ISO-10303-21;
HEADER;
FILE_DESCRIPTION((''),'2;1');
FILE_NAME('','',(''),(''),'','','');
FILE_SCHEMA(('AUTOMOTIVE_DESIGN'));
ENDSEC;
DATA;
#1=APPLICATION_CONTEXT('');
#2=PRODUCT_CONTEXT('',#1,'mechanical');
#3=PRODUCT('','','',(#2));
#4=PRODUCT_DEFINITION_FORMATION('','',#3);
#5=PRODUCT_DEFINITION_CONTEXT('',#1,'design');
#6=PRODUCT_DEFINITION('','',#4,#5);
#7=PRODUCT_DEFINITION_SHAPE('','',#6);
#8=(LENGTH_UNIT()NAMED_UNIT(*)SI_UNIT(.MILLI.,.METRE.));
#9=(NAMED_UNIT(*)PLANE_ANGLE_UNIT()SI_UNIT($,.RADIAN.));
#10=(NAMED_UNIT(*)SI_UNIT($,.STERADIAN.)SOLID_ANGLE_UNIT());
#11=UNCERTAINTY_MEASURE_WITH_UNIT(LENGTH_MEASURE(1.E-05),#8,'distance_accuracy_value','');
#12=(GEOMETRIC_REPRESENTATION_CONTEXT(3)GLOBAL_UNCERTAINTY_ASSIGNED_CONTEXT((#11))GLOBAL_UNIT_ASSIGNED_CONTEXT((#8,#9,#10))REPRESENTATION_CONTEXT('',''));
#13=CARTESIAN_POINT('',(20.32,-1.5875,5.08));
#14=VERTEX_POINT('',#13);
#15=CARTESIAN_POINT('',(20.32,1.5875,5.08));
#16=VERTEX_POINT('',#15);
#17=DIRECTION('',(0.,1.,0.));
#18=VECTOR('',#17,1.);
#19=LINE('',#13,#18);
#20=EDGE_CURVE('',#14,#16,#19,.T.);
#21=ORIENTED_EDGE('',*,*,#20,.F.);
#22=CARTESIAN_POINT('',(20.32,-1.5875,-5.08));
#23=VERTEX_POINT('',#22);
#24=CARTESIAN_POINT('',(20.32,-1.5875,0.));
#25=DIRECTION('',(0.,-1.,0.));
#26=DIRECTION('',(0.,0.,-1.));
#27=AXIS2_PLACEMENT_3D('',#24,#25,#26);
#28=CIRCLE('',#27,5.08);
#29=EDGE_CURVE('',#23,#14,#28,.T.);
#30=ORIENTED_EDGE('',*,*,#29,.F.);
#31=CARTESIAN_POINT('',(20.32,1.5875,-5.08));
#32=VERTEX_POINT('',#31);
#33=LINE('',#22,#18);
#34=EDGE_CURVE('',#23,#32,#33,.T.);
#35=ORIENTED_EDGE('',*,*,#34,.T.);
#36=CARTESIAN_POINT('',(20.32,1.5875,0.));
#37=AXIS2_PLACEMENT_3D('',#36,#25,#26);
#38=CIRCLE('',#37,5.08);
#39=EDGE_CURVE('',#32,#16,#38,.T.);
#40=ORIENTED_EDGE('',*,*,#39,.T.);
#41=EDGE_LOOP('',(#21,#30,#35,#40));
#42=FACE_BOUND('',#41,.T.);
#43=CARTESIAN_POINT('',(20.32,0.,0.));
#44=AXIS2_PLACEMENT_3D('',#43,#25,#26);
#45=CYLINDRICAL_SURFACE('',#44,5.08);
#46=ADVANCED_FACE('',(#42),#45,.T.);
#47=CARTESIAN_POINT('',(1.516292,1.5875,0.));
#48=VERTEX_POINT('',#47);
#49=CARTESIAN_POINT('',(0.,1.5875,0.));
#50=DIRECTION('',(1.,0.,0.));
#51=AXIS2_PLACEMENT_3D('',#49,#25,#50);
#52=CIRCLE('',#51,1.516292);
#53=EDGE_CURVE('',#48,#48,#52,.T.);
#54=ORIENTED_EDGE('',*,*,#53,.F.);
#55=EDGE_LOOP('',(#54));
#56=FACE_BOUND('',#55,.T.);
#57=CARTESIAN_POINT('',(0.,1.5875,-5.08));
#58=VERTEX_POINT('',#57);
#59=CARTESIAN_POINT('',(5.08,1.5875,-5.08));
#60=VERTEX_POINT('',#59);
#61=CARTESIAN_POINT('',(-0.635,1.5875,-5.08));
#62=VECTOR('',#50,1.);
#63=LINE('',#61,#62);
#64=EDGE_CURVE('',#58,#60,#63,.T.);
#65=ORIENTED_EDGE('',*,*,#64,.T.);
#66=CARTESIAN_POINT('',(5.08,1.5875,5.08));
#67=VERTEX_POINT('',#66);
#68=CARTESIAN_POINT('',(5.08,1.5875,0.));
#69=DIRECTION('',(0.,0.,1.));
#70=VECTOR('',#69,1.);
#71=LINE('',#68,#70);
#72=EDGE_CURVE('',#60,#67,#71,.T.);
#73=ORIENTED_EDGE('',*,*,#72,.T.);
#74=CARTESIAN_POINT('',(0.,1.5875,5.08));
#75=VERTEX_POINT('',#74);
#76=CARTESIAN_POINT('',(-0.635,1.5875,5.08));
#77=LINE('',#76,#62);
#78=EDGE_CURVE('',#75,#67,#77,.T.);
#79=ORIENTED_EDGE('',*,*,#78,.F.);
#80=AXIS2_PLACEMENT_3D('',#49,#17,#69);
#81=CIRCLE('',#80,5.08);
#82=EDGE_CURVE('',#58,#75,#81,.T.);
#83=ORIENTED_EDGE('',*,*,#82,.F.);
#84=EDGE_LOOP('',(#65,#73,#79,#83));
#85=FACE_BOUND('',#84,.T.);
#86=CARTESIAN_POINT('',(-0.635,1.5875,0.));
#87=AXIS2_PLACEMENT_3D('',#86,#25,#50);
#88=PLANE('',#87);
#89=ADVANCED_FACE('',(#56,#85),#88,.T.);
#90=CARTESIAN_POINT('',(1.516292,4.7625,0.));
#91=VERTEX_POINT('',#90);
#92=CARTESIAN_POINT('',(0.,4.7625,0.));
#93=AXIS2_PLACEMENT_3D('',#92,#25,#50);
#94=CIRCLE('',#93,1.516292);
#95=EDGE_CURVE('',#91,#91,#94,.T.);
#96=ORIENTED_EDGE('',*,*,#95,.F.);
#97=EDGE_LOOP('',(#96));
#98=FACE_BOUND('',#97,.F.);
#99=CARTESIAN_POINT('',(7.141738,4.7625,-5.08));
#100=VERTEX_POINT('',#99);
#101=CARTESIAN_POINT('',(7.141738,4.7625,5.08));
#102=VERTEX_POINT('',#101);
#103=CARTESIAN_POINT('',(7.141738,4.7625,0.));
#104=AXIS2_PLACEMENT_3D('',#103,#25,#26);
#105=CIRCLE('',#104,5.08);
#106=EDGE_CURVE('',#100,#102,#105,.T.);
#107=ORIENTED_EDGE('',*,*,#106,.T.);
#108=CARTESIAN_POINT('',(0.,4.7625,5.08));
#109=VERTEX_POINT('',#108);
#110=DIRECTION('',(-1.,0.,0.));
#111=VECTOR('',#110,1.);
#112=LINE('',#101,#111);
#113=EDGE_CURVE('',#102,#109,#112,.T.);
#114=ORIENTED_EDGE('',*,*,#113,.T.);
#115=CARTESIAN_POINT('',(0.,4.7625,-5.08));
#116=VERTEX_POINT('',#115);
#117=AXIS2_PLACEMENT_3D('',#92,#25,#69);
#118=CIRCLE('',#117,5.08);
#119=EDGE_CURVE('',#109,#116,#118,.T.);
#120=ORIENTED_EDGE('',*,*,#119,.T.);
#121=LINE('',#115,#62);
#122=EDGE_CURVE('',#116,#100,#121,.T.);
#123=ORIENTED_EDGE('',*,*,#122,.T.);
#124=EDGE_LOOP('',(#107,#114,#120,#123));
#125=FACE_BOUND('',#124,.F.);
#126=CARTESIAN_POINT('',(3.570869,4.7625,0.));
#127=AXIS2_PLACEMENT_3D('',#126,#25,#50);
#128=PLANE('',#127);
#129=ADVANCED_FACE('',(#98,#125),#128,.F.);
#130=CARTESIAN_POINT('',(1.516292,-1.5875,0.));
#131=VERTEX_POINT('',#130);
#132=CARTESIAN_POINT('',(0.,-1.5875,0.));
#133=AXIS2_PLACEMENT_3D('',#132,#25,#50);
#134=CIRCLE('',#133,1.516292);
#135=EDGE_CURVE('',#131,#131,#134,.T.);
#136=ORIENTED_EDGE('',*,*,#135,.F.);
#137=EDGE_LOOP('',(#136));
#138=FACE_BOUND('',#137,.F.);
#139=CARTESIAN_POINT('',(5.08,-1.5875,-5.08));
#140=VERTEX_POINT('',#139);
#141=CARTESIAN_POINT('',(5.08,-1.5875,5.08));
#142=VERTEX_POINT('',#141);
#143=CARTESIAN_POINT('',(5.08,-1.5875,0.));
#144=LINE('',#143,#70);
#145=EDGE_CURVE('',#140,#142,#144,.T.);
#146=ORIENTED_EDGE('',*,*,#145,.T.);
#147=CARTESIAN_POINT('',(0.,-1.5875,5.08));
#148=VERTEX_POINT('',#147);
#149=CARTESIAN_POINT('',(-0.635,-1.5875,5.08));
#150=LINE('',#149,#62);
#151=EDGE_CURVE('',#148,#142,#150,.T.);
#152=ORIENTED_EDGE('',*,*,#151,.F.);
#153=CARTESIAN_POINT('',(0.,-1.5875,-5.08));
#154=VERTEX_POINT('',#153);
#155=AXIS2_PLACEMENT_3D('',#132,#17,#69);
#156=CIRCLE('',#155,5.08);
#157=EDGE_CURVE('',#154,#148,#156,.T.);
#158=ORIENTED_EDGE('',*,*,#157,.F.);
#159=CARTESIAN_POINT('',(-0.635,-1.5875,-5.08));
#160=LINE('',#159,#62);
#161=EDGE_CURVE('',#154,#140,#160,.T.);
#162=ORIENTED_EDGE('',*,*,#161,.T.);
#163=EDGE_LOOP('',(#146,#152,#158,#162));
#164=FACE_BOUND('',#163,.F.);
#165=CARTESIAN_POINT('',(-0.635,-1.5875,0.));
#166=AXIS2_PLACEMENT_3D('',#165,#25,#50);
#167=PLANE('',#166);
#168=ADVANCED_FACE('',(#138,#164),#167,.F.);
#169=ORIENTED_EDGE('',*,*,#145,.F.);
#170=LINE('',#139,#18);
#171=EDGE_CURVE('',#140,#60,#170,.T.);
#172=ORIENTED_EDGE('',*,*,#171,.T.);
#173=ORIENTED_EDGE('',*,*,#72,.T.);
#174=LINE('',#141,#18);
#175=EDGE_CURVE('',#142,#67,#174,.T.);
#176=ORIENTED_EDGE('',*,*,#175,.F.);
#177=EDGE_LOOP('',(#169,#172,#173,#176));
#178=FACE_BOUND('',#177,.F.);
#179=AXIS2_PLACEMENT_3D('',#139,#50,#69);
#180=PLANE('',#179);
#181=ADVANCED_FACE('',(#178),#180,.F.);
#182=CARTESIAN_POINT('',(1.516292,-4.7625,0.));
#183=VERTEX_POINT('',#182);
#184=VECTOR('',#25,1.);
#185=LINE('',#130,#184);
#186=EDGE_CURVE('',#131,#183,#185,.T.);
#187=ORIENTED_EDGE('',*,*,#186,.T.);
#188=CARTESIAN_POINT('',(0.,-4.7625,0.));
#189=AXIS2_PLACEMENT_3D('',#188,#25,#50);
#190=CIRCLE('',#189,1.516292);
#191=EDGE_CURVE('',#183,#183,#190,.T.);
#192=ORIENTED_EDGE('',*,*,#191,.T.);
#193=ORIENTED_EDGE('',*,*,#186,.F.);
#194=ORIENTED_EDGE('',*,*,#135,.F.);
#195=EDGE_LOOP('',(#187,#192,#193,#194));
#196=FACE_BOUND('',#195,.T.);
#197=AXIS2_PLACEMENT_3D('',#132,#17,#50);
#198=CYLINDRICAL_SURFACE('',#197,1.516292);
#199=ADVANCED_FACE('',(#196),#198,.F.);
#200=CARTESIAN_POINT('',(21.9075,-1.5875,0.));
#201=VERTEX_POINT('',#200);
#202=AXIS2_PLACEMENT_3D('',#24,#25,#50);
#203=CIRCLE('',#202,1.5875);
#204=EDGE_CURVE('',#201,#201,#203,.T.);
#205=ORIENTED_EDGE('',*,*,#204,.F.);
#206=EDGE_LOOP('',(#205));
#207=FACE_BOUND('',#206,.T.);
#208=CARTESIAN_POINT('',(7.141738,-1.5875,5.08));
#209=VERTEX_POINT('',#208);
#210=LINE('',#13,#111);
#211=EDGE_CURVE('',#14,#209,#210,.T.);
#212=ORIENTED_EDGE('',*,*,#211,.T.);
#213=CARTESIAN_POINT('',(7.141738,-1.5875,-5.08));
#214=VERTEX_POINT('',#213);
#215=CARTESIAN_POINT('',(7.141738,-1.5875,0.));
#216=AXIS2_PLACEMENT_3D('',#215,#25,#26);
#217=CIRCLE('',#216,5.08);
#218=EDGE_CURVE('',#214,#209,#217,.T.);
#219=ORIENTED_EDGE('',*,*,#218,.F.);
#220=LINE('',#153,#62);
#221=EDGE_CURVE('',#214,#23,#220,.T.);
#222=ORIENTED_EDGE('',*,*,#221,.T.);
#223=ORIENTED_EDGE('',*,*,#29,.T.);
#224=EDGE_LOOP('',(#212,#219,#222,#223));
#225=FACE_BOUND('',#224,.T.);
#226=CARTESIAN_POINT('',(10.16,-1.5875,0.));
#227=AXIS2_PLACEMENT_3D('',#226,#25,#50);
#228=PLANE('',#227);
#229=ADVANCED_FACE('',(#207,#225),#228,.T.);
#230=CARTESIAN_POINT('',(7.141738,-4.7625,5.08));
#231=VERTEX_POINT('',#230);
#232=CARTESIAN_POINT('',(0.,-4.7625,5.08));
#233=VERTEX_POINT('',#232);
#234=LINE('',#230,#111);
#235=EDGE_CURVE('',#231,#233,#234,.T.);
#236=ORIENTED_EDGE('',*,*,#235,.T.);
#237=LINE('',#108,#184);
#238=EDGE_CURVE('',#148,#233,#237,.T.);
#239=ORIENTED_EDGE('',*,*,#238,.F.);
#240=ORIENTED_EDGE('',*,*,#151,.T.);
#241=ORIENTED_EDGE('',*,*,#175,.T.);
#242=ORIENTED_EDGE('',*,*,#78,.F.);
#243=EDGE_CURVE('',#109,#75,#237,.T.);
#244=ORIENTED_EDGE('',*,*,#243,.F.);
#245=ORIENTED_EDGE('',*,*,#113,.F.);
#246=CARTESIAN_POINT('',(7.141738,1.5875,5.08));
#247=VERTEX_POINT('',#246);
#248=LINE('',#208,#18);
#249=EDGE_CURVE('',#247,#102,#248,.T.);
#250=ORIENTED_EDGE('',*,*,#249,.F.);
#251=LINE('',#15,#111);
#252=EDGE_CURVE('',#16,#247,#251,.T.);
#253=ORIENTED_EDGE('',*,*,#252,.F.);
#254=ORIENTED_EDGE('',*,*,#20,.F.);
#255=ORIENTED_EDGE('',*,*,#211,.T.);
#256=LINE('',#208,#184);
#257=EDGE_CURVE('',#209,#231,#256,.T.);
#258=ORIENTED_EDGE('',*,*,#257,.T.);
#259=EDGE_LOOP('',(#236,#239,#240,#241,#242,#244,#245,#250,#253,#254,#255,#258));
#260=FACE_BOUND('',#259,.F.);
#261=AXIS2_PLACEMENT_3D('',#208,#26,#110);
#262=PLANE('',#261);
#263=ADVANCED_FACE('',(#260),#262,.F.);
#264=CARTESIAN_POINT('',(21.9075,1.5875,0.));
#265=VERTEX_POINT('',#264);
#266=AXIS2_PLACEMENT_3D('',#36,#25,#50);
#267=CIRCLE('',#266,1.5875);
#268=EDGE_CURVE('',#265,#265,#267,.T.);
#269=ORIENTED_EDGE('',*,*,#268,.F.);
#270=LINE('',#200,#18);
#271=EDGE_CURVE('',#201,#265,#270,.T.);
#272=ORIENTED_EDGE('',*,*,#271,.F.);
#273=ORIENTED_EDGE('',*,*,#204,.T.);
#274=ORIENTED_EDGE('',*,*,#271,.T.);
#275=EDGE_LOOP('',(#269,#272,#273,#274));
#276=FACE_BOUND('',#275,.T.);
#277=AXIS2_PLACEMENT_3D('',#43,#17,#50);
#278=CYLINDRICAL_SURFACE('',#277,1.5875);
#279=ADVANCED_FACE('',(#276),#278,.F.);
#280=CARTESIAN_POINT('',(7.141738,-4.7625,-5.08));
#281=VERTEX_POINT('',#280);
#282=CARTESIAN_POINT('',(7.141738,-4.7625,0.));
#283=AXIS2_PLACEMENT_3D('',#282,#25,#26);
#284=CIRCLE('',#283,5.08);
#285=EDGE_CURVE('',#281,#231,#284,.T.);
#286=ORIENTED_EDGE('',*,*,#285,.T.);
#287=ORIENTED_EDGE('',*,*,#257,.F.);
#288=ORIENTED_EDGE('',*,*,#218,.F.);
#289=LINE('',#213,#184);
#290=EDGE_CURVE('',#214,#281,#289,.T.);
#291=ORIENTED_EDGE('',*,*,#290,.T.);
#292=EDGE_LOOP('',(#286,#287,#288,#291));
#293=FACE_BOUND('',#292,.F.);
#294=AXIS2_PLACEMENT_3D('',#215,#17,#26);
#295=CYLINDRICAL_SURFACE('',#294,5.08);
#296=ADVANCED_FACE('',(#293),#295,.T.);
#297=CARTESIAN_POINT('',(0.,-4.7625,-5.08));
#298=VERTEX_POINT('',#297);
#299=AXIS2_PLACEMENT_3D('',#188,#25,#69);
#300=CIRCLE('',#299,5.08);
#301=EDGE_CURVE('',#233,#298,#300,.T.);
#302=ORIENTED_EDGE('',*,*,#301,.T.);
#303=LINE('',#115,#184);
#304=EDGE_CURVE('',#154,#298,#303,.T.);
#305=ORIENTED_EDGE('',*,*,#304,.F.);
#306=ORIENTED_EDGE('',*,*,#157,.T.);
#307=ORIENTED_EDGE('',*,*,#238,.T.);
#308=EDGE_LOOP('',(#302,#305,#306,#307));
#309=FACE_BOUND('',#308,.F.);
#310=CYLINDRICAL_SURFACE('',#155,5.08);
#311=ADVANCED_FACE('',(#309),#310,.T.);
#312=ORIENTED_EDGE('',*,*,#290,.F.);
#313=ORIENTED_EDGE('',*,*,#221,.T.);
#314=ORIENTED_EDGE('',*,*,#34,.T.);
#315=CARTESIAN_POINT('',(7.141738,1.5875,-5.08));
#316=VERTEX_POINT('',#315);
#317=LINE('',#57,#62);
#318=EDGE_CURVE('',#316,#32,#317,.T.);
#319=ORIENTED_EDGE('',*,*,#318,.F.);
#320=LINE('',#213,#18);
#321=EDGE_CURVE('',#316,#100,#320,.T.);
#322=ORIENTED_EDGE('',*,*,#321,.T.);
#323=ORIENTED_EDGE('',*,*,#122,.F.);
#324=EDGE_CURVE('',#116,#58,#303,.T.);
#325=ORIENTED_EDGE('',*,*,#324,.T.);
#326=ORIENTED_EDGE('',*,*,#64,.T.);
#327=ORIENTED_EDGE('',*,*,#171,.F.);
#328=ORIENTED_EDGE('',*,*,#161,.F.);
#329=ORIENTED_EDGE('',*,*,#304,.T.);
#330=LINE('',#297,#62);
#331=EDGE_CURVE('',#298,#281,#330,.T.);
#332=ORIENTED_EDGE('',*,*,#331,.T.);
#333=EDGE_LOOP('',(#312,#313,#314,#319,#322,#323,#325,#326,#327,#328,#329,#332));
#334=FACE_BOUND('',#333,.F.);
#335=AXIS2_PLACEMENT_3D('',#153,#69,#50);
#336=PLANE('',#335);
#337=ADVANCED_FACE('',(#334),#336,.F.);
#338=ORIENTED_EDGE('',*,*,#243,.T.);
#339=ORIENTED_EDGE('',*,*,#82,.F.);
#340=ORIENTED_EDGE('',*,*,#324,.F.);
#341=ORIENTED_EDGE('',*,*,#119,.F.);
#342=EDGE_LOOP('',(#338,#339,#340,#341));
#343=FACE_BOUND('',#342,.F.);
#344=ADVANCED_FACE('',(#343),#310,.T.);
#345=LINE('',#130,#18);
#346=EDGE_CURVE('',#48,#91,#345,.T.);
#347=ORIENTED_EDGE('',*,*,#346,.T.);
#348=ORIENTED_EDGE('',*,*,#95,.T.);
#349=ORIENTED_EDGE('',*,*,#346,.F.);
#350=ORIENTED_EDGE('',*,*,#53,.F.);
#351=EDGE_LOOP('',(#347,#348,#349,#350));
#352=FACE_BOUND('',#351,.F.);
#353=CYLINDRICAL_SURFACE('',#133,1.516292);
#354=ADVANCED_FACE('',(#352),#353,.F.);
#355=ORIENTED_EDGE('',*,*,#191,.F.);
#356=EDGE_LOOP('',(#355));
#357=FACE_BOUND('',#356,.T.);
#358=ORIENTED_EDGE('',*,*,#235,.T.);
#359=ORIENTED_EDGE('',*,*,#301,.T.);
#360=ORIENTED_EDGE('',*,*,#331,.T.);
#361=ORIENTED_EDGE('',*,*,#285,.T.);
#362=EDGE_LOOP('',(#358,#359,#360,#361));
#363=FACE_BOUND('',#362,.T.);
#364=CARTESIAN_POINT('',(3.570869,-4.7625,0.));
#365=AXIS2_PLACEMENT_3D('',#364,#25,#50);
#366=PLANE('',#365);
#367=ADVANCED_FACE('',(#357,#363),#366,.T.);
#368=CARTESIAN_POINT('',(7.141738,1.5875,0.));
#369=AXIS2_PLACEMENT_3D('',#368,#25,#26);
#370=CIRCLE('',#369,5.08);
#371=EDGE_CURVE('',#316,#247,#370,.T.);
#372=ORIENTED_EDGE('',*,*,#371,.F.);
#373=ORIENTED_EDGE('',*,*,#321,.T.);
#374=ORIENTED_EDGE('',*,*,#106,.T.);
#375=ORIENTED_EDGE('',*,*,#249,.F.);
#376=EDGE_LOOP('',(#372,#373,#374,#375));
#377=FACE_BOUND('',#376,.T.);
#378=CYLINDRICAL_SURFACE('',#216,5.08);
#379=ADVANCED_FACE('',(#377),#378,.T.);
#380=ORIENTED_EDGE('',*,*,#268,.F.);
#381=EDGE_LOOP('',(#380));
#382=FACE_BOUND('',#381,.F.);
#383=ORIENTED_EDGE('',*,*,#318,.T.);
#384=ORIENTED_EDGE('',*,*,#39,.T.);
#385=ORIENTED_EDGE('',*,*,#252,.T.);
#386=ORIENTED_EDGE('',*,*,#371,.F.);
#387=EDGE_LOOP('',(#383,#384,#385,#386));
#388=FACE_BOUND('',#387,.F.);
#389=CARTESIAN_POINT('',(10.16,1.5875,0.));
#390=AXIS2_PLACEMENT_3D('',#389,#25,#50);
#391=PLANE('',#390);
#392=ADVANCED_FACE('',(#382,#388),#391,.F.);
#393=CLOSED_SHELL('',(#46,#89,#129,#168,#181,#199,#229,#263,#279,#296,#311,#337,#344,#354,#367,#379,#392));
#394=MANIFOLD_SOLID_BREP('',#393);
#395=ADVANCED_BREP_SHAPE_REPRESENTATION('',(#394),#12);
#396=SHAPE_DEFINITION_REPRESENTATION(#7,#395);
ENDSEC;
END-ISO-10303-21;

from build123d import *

# Parameters (mm, degrees)
F0_R          = 1.5875
F1_DEPTH      = 1.5875
F1_DEPTH_BACK = 1.5875
F2_R          = 1.516292
F3_DEPTH      = 3.175
F3_DEPTH_BACK = 6.35
F4_W          = 11.43
F4_H          = 10.16
F5_DEPTH      = 3.175


with BuildPart() as f1:
    # F0 (on Front) → F1 (new body, two sides)
    with BuildSketch(Plane.XZ) as f1_sk:
        with BuildLine():
            Line((20.32, 5.08), (0, 5.08))
            ThreePointArc((0, 5.08), (-5.08, 0), (0, -5.08))
            Line((0, -5.08), (20.32, -5.08))
            ThreePointArc((20.32, -5.08), (25.4, 0), (20.32, 5.08))
        make_face()
        Circle(F0_R, mode=Mode.SUBTRACT)
        with Locations((20.32, 0)):
            Circle(F0_R, mode=Mode.SUBTRACT)
    extrude(amount=F1_DEPTH)
    extrude(f1_sk.sketch, amount=-F1_DEPTH_BACK)

    # F2 (on face) → F3 (join, two sides)
    with BuildSketch(Plane.XZ.offset(1.5875)) as f3_sk:
        with BuildLine():
            Line((7.141738, 5.08), (0, 5.08))
            ThreePointArc((0, 5.08), (-5.08, 0), (0, -5.08))
            Line((0, -5.08), (7.141738, -5.08))
            ThreePointArc((7.141738, -5.08), (12.221738, 0), (7.141738, 5.08))
        make_face()
        Circle(F2_R, mode=Mode.SUBTRACT)
    extrude(amount=F3_DEPTH)
    extrude(f3_sk.sketch, amount=-F3_DEPTH_BACK)

    # F4 (on face) → F5 (cut)
    with BuildSketch(Plane.XZ.offset(1.5875)):
        with Locations((-0.635, 0)):
            Rectangle(F4_W, F4_H)
    extrude(amount=-F5_DEPTH, mode=Mode.SUBTRACT)


solid = f1.part
